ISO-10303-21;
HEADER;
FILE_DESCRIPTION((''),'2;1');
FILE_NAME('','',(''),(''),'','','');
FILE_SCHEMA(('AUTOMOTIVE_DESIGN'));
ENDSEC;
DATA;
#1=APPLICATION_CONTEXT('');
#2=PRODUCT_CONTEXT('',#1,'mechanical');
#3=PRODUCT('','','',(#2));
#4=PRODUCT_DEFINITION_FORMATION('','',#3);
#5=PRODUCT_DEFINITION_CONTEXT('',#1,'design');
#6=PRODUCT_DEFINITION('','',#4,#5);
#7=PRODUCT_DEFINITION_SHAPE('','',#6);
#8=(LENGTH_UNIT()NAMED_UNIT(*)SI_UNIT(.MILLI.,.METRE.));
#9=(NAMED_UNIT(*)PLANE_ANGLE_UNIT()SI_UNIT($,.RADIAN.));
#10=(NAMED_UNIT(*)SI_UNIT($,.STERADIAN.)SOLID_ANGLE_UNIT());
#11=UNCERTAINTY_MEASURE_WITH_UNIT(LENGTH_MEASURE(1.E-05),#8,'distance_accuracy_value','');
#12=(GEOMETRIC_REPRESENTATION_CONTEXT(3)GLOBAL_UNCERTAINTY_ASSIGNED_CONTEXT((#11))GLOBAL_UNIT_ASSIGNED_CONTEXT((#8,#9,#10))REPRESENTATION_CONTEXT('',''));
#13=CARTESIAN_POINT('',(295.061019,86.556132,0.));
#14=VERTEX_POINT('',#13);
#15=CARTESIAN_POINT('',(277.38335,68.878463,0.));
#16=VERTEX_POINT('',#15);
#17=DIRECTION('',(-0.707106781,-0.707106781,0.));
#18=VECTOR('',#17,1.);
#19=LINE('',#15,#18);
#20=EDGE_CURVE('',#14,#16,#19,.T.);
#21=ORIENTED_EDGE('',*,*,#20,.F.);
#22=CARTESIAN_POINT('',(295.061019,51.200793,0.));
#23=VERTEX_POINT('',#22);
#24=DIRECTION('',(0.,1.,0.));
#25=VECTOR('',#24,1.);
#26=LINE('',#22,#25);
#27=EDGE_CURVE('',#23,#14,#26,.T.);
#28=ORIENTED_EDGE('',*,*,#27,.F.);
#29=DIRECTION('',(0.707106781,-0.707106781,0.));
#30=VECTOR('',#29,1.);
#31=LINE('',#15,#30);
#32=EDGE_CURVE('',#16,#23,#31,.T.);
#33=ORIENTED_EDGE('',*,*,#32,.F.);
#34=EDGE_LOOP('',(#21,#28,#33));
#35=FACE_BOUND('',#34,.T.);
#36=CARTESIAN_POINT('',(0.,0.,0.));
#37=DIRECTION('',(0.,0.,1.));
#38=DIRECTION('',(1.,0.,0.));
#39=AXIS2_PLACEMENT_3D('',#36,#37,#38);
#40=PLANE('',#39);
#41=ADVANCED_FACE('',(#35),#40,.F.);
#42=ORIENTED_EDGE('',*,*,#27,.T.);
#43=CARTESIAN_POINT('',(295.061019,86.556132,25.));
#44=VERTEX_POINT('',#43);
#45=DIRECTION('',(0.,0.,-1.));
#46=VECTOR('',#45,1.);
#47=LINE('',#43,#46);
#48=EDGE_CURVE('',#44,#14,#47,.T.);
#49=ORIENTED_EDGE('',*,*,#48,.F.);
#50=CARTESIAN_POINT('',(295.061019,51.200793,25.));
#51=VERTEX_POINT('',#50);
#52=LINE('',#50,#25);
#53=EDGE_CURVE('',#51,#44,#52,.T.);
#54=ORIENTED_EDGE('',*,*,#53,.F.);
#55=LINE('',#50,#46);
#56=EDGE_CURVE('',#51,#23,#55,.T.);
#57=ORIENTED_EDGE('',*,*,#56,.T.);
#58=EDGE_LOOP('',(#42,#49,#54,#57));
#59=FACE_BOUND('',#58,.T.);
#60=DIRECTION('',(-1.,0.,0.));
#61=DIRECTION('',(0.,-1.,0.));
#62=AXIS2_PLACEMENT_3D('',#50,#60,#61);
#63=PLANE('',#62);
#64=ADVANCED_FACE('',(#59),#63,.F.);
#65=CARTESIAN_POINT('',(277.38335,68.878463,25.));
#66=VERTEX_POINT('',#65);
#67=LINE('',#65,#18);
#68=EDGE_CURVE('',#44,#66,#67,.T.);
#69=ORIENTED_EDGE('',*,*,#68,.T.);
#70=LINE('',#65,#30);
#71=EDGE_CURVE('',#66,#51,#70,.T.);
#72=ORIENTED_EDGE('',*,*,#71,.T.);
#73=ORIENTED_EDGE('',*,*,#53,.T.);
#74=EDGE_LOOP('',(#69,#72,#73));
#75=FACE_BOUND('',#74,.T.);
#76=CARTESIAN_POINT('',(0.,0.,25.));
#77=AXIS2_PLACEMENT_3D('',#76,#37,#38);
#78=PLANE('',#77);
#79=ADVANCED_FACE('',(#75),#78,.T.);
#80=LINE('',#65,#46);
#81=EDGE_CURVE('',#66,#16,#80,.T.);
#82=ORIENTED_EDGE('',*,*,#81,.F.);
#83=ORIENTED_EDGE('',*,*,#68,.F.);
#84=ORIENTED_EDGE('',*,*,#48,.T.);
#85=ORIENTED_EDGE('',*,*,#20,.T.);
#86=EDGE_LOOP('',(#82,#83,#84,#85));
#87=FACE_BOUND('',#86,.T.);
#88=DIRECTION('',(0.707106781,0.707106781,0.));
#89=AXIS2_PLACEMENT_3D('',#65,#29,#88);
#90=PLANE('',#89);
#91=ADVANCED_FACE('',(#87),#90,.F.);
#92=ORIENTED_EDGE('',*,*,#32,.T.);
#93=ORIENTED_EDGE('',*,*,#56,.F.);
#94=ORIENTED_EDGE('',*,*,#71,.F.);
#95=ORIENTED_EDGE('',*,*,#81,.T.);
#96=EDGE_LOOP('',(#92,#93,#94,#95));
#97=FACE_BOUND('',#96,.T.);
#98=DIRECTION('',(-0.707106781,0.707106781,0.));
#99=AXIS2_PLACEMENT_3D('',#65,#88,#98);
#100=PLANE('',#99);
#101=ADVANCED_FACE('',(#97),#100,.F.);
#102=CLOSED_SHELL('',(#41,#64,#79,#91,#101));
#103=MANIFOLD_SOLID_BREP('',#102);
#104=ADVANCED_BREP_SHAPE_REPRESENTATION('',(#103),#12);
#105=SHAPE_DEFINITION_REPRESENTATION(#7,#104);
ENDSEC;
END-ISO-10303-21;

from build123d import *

# Parameters (mm, degrees)
EXTRUDE_1_DEPTH = 25


with BuildPart() as part:
    # 草图1 → 凸台-拉伸1 (new body)
    with BuildSketch(Plane.XY):
        Polygon((277.383349763, 68.878462764), (295.061019293, 86.556132294), (295.061019293, 51.200793235), align=None)
    extrude(amount=EXTRUDE_1_DEPTH)


solid = part.part
